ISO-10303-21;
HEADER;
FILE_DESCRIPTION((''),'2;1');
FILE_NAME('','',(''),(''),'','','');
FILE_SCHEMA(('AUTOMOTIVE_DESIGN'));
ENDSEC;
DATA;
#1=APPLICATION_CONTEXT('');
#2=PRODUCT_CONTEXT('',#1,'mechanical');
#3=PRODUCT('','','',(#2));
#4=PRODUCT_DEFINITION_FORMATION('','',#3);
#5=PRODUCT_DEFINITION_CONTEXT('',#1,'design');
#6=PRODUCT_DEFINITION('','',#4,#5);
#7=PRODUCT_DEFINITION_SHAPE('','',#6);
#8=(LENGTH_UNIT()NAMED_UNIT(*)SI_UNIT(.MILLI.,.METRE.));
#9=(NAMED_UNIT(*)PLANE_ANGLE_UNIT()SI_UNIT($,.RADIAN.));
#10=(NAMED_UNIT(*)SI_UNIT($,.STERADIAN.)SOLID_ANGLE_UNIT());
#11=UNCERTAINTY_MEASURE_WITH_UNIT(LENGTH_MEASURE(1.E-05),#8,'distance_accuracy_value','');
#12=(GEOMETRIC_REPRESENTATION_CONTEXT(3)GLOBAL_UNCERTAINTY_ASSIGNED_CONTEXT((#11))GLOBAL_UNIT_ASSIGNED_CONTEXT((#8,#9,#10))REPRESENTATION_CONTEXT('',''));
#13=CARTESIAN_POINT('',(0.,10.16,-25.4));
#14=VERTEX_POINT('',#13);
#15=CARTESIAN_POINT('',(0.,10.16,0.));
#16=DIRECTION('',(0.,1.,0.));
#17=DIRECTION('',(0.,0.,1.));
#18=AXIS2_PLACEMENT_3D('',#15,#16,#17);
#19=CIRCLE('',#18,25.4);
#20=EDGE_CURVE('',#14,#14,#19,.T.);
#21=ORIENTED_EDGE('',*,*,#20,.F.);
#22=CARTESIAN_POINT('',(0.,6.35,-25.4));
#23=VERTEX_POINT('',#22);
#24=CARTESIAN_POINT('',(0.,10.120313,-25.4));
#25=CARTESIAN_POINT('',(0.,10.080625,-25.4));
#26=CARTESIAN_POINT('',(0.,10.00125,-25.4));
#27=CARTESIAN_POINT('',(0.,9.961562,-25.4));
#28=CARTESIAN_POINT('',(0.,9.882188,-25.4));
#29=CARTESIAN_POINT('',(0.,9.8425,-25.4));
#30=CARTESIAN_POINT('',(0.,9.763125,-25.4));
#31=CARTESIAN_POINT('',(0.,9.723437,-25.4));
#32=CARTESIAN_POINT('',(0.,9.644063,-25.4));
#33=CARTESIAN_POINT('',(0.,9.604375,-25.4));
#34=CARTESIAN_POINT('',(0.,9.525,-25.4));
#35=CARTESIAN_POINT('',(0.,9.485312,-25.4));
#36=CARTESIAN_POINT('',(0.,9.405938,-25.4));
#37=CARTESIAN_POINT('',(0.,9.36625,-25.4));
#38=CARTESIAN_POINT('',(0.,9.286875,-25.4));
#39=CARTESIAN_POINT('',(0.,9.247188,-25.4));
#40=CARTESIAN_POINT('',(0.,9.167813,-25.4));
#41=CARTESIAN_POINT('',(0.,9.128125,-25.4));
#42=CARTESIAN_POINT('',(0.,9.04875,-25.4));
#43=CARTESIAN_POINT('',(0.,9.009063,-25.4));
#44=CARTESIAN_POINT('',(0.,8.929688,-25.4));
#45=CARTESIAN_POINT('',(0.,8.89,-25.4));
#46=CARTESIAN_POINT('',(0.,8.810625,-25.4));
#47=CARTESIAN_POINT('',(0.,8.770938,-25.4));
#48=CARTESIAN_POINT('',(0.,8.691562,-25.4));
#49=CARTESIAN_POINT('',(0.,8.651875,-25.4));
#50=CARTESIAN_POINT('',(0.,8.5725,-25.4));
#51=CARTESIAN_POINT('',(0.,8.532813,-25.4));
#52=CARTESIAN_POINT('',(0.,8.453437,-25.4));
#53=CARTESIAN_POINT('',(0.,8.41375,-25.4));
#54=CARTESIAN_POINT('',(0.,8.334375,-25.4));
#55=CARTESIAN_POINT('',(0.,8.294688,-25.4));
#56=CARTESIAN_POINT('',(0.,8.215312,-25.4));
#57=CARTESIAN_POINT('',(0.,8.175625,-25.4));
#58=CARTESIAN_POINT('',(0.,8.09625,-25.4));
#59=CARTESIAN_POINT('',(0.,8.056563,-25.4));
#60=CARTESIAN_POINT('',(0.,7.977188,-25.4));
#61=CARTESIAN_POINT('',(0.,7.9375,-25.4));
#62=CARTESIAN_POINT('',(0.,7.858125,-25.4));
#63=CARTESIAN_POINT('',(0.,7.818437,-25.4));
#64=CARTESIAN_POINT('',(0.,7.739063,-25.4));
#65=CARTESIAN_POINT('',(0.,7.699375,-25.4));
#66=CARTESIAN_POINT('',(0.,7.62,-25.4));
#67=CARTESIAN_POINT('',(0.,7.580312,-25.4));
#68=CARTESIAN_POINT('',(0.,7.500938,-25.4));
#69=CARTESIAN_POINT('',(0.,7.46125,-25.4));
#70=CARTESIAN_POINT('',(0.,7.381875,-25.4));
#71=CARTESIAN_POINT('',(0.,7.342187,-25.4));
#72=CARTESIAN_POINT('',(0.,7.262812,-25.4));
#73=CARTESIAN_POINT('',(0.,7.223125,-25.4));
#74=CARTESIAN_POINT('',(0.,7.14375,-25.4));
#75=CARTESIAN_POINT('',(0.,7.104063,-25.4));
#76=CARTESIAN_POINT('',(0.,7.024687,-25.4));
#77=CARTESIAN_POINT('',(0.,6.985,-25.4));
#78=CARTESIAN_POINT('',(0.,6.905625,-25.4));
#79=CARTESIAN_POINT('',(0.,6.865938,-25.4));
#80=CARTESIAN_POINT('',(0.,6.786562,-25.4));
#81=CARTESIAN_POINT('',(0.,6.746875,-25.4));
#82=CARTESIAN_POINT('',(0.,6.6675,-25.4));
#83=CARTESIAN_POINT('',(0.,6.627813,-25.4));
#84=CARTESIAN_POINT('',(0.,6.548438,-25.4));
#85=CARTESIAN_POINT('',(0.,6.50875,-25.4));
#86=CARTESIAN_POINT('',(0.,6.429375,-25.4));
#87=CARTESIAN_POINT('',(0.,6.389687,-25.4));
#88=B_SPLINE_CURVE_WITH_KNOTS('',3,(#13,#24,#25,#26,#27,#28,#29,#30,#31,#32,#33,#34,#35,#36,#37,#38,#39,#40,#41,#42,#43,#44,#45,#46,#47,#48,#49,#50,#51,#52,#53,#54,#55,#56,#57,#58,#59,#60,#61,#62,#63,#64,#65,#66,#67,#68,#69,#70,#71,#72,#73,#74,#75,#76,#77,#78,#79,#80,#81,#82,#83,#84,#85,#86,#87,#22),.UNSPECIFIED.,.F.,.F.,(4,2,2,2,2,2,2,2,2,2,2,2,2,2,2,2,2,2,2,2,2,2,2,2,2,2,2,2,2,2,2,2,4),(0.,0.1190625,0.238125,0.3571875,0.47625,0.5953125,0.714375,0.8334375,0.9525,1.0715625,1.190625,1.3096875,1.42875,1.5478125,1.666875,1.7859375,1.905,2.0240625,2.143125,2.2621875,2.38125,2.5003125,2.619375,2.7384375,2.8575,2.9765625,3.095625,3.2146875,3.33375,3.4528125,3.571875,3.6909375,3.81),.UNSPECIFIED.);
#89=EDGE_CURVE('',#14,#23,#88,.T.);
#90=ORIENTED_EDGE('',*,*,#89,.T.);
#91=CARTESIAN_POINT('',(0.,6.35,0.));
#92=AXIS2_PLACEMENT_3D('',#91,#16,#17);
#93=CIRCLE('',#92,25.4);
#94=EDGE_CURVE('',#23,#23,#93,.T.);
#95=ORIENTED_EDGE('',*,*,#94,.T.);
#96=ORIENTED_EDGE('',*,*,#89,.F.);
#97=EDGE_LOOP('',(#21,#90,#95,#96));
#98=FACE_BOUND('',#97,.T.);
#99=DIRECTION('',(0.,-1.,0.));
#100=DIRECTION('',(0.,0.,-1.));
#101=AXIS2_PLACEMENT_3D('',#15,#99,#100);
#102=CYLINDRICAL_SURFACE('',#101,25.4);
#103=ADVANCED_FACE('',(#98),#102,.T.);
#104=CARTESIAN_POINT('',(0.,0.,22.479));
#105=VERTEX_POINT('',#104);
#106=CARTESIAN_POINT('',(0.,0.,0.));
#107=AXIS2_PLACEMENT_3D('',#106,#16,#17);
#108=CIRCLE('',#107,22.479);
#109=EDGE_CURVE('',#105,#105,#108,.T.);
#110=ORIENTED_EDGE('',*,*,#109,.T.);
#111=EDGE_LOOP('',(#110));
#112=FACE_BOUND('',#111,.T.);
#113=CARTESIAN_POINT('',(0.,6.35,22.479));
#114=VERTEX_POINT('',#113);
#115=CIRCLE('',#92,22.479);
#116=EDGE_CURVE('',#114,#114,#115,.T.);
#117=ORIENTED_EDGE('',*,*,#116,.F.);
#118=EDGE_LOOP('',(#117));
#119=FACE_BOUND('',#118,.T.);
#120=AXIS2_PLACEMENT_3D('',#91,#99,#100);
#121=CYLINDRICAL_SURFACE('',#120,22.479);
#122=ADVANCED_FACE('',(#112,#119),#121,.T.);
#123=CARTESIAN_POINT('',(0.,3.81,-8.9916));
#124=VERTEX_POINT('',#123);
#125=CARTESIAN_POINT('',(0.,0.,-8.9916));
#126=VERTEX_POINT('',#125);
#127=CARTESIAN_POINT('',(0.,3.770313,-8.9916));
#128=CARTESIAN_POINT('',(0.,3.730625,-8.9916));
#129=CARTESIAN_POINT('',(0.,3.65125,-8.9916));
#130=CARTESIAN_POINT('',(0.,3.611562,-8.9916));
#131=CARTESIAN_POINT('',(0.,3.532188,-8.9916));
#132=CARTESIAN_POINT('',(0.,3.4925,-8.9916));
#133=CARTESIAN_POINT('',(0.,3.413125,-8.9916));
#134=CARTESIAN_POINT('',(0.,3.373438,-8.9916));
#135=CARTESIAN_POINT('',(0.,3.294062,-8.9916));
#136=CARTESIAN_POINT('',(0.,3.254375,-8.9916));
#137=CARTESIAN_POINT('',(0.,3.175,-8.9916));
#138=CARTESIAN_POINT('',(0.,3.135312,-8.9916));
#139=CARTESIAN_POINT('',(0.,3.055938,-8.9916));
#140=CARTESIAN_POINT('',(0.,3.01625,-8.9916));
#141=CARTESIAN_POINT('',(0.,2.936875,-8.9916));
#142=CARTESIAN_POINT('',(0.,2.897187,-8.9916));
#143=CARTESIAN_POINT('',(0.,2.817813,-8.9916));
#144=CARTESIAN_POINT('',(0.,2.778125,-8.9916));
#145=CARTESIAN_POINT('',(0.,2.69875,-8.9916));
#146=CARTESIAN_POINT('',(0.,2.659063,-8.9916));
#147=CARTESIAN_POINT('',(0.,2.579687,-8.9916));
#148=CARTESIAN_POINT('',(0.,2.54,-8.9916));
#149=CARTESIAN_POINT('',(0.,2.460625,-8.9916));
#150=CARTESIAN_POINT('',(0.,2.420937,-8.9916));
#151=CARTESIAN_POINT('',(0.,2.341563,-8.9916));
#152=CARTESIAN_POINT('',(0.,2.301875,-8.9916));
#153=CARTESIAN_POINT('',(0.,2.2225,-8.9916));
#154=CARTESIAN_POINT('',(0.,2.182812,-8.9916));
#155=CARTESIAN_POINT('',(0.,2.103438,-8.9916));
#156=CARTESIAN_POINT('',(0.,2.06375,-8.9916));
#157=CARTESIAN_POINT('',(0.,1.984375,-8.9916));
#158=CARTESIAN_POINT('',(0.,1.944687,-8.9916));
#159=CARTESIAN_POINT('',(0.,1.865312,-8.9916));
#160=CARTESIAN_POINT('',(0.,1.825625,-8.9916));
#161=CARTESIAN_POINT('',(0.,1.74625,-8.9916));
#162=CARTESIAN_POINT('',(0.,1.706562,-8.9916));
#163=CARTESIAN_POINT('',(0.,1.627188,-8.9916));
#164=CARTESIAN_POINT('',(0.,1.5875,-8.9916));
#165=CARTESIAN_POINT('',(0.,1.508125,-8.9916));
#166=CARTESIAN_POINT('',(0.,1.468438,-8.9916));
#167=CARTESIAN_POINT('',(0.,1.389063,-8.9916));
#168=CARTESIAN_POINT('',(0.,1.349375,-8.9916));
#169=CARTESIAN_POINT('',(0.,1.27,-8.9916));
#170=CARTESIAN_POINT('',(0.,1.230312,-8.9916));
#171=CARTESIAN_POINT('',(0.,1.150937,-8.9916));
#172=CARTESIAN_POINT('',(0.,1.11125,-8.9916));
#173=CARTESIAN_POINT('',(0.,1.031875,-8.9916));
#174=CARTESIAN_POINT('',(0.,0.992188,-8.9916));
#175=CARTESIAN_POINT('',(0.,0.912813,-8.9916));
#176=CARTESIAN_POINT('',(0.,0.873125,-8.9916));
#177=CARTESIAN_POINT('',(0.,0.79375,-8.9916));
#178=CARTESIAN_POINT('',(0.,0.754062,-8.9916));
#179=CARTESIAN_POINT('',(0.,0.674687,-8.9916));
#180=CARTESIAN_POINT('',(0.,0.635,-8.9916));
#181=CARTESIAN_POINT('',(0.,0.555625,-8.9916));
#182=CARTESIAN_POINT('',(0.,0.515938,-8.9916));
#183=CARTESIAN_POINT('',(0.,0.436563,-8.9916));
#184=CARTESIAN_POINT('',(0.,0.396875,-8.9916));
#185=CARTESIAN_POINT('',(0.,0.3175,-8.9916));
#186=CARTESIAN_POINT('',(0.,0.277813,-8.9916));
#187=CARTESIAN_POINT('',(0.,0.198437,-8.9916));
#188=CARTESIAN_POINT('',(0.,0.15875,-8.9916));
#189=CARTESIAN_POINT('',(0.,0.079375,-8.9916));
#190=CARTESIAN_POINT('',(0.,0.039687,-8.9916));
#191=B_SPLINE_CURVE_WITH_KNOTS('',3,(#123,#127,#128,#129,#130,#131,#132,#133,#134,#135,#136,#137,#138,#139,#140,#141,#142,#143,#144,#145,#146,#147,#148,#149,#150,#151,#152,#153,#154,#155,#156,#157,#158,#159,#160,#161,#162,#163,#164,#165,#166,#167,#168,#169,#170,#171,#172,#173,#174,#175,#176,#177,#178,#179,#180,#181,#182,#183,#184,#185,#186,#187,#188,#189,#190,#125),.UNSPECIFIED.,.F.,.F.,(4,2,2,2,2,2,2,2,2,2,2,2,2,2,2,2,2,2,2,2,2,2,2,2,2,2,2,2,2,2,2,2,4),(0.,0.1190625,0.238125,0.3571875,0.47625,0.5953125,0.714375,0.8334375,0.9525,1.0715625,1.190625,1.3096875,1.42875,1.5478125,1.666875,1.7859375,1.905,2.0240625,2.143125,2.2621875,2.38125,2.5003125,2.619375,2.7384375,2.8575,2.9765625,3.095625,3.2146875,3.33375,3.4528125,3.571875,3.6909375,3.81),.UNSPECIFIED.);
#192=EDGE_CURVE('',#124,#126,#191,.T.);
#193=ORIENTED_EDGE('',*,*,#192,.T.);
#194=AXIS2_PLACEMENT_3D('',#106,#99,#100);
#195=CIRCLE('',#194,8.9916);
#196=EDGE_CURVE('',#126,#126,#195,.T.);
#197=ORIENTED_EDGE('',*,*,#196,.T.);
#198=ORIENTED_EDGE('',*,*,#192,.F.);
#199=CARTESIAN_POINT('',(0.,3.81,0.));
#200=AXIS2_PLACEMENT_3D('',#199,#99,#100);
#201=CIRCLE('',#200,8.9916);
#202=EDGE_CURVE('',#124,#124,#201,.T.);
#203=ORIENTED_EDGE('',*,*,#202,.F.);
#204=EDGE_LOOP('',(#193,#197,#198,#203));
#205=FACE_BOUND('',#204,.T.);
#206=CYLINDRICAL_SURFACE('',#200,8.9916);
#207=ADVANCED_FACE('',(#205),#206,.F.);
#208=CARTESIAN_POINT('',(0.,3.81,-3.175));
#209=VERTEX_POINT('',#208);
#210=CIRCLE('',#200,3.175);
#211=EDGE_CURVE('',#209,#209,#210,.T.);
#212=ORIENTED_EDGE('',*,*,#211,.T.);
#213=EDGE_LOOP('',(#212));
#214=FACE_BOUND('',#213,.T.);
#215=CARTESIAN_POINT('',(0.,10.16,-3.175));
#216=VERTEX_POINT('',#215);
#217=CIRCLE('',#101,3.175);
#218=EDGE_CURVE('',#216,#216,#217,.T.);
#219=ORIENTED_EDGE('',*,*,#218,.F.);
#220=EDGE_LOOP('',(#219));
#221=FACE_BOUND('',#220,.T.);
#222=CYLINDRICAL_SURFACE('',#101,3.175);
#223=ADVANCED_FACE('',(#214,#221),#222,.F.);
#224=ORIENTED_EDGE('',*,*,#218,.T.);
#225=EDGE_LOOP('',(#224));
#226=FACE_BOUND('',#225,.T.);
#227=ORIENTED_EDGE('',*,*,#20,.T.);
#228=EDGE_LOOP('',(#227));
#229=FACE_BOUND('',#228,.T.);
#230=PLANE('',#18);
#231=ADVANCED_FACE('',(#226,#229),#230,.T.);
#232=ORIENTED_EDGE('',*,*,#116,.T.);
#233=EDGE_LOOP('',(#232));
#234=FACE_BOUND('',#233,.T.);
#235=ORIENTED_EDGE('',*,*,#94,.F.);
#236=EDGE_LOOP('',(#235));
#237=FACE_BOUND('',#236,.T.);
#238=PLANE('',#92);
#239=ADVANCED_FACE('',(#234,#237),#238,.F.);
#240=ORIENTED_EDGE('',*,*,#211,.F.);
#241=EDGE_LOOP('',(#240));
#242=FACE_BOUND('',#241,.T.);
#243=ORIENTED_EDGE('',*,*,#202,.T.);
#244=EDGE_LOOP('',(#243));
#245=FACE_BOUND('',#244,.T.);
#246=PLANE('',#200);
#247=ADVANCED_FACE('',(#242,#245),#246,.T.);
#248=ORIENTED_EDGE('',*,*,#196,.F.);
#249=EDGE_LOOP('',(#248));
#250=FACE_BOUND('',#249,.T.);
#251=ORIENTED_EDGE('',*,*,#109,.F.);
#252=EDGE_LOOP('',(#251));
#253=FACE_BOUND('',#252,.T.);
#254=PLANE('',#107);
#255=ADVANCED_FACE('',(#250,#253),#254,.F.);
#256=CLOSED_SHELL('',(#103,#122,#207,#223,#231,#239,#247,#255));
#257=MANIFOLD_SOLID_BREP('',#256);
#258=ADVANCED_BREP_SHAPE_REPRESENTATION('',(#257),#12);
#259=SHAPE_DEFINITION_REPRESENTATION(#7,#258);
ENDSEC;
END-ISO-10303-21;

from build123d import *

# Parameters (mm, degrees)
SKETCH1_R           = 22.479
BOSS_EXTRUDE1_DEPTH = 6.35
SKETCH2_R           = 25.4
BOSS_EXTRUDE2_DEPTH = 3.81
SKETCH3_R           = 8.9916
CUT_EXTRUDE1_DEPTH  = 3.81
SKETCH4_R           = 3.175
CUT_EXTRUDE2_DEPTH  = 37.477972806


with BuildPart() as part:
    # Sketch1 → Boss-Extrude1 (new body)
    with BuildSketch(Plane(origin=(0, 0, 0), x_dir=(1, 0, 0), z_dir=(0, 1, 0))):
        with Locations(Location((0, 0, 0), (0, 0, 270))):
            Circle(SKETCH1_R)
    extrude(amount=BOSS_EXTRUDE1_DEPTH)

    # Sketch2 → Boss-Extrude2 (add)
    with BuildSketch(Plane(origin=(0, 6.35, 0), x_dir=(1, 0, 0), z_dir=(0, 1, 0))):
        with Locations(Location((0, 0, 0), (0, 0, 90))):
            Circle(SKETCH2_R)
    extrude(amount=BOSS_EXTRUDE2_DEPTH)

    # Sketch3 → Cut-Extrude1 (cut)
    with BuildSketch(Plane.XZ):
        with Locations(Location((0, 0, 0), (0, 0, 270))):
            Circle(SKETCH3_R)
    extrude(amount=-CUT_EXTRUDE1_DEPTH, mode=Mode.SUBTRACT)

    # Sketch4 → Cut-Extrude2 (cut, through all)
    with BuildSketch(Plane.XZ.offset(-3.81)):
        with Locations(Location((0, 0, 0), (0, 0, 270))):
            Circle(SKETCH4_R)
    extrude(amount=-CUT_EXTRUDE2_DEPTH, mode=Mode.SUBTRACT)


solid = part.part
